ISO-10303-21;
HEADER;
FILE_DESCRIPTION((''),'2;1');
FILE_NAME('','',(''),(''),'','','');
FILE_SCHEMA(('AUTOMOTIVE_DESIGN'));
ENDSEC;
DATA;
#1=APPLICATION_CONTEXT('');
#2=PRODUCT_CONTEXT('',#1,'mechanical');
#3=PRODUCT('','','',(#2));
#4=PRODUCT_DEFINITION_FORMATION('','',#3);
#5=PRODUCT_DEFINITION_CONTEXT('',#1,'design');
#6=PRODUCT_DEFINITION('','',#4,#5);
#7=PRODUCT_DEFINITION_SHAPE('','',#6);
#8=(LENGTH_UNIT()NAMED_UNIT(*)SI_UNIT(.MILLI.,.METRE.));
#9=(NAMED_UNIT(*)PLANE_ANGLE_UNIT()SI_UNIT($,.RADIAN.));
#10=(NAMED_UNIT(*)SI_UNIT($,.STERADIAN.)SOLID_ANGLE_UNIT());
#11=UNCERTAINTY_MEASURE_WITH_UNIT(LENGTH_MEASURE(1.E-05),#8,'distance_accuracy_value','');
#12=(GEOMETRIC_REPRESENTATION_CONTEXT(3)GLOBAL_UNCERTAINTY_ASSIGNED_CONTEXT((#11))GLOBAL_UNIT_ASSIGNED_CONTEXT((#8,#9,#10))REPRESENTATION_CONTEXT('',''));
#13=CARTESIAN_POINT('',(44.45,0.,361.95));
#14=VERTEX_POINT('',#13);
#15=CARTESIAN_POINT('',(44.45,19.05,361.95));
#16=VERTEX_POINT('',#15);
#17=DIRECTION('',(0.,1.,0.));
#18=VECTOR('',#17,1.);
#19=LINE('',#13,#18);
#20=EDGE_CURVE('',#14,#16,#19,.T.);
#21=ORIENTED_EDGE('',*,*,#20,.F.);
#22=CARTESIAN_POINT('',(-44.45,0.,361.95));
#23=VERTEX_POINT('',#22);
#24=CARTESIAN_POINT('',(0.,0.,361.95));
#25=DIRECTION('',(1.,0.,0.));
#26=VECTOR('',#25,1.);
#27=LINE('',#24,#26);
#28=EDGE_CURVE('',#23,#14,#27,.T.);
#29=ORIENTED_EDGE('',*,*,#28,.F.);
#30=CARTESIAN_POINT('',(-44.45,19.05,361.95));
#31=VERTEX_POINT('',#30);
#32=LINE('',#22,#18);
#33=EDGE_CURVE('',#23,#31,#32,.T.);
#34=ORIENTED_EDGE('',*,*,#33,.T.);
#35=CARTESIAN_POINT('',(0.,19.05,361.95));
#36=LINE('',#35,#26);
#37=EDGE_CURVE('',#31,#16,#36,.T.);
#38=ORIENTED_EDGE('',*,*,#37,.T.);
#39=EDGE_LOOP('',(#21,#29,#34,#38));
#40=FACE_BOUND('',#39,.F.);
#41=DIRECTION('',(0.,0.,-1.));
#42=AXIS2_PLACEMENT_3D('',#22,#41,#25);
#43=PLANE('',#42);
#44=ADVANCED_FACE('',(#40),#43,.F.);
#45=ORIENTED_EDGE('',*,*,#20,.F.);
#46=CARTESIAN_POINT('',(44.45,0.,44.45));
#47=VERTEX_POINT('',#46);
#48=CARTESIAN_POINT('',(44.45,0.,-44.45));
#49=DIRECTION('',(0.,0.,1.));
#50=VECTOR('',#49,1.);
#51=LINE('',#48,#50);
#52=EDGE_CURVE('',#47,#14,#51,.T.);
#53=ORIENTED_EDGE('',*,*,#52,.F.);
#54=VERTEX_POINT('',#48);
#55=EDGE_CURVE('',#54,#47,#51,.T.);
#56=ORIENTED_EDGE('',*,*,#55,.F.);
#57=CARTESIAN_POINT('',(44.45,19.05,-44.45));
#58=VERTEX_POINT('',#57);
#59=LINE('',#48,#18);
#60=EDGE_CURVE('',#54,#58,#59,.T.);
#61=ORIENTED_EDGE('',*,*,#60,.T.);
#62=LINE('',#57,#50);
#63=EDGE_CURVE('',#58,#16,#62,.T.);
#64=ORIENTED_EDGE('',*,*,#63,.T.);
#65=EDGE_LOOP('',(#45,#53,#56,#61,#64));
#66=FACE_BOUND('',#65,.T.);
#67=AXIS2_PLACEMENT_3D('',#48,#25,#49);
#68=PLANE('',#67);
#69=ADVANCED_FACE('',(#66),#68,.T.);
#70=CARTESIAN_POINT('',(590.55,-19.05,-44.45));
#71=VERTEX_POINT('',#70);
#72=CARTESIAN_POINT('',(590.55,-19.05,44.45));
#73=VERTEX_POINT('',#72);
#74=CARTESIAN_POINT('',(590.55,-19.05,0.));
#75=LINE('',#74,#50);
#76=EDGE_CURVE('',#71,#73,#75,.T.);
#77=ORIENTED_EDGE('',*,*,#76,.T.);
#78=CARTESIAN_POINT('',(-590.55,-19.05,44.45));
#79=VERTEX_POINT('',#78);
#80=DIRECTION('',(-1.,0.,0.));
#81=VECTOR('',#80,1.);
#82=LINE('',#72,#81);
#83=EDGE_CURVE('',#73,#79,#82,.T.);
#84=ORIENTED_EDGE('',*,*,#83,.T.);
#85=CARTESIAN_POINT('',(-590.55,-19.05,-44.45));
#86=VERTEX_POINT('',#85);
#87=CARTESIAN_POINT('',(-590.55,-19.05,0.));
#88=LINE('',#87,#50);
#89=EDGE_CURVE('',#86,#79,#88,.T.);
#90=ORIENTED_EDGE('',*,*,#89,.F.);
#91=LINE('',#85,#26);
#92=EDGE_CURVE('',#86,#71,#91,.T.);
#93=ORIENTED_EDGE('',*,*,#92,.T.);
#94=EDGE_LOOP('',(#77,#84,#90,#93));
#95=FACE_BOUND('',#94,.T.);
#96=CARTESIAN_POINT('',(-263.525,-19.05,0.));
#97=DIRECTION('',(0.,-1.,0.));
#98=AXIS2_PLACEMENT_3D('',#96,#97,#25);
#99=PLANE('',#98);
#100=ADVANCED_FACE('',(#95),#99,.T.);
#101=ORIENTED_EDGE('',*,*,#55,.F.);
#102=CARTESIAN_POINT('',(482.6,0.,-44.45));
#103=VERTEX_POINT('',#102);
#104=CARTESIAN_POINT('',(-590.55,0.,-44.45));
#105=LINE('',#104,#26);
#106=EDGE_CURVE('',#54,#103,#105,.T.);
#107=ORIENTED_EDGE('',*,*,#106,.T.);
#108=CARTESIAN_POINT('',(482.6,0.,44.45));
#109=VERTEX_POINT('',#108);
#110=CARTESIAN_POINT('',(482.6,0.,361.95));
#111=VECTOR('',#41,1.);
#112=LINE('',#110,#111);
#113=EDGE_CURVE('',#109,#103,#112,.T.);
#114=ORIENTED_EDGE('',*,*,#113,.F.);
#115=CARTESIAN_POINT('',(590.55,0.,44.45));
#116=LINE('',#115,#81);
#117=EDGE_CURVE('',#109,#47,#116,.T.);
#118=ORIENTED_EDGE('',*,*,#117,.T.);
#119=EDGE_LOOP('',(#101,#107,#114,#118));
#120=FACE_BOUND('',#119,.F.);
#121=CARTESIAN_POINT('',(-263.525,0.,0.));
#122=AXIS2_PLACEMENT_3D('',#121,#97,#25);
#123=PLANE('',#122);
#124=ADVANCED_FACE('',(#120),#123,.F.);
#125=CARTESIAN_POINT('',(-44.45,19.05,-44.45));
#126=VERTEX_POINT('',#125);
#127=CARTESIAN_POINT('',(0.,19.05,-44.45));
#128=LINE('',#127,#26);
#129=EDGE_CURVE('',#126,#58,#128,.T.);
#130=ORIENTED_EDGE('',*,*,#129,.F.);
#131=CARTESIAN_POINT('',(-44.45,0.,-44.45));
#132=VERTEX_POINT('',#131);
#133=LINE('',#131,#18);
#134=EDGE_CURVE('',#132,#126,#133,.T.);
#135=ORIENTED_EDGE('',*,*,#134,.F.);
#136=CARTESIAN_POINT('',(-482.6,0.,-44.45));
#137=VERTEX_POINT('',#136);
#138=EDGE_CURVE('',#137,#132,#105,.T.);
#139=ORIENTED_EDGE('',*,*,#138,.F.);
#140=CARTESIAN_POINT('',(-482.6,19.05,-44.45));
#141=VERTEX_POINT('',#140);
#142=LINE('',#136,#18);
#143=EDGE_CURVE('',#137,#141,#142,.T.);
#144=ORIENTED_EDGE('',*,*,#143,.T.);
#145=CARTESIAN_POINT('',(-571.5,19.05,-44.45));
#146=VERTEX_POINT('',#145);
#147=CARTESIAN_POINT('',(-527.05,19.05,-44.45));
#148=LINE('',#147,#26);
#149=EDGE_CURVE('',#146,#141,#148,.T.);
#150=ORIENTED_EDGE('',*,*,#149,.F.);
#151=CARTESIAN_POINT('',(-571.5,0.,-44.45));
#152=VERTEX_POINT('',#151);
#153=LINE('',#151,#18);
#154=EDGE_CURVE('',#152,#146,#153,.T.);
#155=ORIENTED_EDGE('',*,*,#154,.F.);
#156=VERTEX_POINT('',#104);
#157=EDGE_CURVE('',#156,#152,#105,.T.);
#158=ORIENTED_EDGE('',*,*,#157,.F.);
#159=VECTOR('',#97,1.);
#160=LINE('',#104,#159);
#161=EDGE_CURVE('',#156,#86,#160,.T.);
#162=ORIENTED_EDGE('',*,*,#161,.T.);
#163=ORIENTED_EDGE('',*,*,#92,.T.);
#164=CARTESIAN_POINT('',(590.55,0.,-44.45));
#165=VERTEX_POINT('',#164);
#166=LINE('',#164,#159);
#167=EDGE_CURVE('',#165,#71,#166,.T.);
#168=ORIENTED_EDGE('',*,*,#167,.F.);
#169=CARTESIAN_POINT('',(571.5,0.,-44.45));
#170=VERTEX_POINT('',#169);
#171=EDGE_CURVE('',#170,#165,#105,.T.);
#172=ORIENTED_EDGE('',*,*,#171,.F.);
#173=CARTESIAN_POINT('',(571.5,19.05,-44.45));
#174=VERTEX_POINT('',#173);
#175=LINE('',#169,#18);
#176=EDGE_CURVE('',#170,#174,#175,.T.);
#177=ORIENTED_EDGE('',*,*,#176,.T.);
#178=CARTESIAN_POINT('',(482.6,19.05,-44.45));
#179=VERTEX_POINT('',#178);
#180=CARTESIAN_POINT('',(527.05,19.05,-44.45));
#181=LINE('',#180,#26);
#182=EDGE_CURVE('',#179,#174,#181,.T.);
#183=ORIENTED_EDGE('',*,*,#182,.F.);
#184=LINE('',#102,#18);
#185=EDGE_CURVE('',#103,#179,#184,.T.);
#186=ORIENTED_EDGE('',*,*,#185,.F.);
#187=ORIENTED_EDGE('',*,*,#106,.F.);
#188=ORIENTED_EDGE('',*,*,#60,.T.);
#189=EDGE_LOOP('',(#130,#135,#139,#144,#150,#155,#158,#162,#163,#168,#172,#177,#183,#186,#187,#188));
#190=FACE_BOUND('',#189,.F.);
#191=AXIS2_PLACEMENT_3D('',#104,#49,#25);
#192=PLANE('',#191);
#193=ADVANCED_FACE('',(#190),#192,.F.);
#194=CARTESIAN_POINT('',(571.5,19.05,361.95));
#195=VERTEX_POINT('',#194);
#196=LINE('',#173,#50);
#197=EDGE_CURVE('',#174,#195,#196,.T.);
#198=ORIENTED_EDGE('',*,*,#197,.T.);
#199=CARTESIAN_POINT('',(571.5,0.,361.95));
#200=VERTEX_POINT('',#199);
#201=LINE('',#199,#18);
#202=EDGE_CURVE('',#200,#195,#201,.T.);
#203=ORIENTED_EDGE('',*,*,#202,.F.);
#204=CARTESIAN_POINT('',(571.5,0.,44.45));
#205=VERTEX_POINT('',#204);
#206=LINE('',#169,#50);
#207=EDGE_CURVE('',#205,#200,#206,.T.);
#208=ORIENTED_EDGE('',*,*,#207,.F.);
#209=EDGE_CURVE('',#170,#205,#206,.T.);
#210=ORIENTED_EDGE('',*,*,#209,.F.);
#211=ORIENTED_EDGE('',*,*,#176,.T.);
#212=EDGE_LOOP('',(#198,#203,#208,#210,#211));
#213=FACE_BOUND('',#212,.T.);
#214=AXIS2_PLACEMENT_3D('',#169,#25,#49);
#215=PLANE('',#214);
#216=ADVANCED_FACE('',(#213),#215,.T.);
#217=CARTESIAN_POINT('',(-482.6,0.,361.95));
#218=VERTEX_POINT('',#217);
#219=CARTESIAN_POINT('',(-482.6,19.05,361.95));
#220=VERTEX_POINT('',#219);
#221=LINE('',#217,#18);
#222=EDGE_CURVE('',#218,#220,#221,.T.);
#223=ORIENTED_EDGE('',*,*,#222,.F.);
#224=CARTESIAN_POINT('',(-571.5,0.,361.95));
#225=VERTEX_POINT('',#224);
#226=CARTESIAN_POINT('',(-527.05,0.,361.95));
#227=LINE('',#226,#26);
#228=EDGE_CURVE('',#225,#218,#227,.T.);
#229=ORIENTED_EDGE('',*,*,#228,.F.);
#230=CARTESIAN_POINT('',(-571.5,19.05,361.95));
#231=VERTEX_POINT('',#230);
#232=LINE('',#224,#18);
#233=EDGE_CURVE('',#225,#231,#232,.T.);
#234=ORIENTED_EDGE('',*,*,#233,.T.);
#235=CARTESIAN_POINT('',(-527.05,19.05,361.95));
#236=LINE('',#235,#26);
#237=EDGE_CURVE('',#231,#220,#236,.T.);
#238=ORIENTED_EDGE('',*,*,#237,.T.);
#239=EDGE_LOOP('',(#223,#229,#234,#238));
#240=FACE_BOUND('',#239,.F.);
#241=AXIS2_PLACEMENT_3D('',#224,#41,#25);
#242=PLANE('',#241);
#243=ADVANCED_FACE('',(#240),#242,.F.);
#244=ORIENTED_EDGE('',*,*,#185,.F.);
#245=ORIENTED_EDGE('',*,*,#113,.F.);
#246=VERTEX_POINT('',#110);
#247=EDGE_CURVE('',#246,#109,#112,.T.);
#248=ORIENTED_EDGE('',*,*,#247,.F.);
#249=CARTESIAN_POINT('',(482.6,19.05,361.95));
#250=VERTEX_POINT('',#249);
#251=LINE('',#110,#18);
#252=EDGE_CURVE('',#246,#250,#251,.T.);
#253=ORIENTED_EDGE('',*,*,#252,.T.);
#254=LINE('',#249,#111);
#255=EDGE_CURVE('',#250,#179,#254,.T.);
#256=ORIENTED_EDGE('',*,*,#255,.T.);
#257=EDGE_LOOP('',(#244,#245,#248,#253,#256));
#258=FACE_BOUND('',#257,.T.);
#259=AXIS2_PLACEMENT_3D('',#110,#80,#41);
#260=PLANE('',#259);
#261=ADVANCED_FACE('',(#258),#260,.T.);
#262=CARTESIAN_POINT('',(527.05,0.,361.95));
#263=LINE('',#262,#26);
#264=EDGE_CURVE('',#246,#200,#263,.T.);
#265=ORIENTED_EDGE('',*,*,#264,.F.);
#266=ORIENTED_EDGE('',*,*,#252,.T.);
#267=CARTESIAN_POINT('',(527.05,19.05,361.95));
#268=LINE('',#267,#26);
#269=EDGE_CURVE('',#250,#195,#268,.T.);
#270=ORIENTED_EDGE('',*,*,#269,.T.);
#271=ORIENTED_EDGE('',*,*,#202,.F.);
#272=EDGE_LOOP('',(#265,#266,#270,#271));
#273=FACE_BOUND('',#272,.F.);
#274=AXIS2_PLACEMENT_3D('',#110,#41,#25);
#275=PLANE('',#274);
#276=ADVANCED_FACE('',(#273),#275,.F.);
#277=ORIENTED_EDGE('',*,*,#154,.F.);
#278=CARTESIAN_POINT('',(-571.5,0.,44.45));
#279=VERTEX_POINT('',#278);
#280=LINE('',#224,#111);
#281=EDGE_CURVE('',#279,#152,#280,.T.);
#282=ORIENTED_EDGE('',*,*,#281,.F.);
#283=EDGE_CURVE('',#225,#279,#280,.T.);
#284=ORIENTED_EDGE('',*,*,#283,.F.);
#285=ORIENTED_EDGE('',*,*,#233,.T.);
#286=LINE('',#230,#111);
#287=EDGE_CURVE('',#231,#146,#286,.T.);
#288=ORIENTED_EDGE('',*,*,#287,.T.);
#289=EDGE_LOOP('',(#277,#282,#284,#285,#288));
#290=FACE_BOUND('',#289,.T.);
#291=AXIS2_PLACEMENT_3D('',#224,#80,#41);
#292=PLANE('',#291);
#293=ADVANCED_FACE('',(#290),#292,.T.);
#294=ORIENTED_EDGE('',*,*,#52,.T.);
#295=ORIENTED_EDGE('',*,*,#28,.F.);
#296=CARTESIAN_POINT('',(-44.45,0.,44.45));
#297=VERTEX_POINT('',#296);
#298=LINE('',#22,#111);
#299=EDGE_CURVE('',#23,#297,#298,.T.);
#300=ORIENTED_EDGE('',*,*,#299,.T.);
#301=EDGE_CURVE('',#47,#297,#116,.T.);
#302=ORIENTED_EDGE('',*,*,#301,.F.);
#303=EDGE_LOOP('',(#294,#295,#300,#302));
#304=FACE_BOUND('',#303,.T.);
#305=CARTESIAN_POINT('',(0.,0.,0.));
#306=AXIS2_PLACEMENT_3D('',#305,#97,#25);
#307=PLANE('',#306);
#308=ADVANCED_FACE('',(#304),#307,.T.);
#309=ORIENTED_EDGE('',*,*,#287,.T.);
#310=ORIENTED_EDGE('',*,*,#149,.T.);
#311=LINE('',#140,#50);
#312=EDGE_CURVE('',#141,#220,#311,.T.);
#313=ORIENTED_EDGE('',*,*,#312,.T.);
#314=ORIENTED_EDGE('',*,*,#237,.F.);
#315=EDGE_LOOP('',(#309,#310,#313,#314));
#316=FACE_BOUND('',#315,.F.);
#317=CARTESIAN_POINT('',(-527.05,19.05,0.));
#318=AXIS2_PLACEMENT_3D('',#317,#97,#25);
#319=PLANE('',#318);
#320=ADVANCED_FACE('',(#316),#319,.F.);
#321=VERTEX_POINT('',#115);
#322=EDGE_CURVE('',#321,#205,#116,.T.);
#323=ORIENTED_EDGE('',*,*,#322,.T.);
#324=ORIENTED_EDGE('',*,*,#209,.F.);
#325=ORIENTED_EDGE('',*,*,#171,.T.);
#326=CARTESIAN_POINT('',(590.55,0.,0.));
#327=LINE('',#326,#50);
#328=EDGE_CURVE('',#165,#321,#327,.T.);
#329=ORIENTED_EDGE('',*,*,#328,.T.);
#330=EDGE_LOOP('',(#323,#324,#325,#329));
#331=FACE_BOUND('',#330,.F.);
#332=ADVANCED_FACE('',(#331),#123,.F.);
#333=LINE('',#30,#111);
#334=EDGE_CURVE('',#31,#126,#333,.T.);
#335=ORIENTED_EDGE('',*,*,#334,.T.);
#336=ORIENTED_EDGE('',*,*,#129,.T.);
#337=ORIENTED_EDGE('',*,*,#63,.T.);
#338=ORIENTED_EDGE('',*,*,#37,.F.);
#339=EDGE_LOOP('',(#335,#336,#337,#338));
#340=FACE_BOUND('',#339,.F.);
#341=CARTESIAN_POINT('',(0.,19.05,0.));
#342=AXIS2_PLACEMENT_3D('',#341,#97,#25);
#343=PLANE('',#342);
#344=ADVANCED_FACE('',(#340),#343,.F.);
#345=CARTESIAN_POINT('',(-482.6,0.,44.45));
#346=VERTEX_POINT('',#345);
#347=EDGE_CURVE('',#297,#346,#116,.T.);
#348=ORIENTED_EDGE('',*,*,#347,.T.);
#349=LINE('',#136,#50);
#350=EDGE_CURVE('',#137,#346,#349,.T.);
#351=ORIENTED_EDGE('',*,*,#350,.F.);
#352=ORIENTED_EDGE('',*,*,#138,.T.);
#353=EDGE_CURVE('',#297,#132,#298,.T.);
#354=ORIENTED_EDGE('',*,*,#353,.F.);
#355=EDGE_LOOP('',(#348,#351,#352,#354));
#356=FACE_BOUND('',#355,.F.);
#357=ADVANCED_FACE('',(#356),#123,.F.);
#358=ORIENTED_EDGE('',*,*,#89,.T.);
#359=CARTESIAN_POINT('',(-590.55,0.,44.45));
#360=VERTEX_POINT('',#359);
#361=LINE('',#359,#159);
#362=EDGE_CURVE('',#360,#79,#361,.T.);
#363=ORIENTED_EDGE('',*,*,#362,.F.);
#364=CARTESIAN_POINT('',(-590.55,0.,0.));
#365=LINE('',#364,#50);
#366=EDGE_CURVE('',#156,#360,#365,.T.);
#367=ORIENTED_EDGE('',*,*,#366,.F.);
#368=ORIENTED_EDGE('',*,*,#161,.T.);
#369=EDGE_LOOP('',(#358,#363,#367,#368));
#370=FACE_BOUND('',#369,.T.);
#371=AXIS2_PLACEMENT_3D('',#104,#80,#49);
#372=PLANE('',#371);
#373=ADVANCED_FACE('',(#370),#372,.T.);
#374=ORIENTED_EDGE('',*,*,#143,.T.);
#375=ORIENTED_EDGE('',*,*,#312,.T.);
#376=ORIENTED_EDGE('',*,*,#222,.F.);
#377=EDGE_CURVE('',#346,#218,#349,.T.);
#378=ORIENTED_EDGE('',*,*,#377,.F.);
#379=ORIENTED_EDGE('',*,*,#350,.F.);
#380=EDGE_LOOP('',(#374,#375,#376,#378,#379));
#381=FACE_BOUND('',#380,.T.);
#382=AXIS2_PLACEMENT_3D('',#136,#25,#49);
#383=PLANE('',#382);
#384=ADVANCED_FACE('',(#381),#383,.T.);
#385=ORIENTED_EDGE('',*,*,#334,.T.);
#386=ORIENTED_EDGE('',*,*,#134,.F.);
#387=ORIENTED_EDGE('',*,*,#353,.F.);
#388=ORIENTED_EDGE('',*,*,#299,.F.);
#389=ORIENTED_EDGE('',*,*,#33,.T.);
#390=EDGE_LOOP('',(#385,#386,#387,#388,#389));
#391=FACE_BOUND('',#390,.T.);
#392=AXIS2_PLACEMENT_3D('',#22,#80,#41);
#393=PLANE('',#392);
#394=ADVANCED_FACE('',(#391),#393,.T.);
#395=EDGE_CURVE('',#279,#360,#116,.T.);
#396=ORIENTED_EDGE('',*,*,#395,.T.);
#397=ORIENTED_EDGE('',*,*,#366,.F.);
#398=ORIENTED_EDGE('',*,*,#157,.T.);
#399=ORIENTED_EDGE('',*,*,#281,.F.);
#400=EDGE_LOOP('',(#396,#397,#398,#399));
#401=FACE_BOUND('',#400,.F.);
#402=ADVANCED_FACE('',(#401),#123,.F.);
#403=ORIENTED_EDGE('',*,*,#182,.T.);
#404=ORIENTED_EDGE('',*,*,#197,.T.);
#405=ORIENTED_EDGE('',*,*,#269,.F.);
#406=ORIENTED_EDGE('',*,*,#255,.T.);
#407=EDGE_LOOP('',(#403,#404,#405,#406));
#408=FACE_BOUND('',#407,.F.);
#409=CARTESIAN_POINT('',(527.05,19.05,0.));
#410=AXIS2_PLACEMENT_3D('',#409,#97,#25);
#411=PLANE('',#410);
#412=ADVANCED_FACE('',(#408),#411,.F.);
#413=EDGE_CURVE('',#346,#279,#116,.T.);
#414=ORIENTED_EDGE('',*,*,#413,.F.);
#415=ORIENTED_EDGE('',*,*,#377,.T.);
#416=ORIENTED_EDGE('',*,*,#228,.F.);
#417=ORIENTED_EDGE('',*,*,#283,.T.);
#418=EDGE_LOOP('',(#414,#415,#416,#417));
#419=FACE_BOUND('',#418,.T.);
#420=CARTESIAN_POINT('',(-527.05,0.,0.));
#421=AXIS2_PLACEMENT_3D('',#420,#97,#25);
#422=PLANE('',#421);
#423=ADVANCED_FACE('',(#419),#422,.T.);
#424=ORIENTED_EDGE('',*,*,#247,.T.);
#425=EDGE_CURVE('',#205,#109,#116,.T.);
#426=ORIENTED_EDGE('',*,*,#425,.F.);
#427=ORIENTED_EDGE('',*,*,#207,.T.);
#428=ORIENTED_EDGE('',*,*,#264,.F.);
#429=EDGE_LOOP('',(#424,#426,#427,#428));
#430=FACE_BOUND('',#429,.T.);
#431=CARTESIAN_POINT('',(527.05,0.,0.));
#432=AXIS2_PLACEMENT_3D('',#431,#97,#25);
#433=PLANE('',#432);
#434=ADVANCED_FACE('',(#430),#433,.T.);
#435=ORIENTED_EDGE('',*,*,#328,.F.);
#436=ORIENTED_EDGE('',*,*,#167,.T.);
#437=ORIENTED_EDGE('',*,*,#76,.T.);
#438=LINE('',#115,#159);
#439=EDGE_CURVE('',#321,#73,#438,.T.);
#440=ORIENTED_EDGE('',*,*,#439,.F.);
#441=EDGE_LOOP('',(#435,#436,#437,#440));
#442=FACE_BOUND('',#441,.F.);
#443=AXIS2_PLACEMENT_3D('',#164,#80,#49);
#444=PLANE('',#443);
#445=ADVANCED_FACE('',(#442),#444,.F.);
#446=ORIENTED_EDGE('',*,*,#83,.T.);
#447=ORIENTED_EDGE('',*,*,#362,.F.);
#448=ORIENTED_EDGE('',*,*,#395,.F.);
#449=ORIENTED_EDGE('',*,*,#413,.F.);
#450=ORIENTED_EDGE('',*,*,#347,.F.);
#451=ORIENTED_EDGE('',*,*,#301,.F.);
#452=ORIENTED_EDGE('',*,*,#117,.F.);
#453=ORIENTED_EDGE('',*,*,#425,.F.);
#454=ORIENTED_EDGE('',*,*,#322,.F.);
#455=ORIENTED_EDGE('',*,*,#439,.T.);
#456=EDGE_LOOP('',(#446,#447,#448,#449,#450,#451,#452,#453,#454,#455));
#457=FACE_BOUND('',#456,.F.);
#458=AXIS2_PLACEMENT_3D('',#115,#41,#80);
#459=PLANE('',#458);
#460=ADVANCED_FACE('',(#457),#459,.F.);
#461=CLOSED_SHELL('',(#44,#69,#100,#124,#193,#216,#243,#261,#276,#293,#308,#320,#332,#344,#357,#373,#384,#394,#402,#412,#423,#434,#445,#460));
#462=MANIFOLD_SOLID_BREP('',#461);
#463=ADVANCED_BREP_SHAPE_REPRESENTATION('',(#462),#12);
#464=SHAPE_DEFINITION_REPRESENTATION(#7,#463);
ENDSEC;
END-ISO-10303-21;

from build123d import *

# Parameters (mm, degrees)
F0_W     = 88.9
F0_H     = 88.9
F0_H_2   = 317.5
F1_DEPTH = 19.05
F0_W_2   = 438.15
F0_W_3   = 19.05
F2_DEPTH = 19.05


with BuildPart() as f1:
    # F0 (on Front) → F1 (new body)
    with BuildSketch(Plane.XZ):
        with Locations((-527.05, 0)):
            Rectangle(F0_W, F0_H)
        with Locations((-527.05, 203.2)):
            Rectangle(F0_W, F0_H_2)
    extrude(amount=-F1_DEPTH)



with BuildPart() as f1b:
    # F0 (on Front) → F1, piece 2 (new body)
    with BuildSketch(Plane.XZ):
        Rectangle(F0_W, F0_H)
        with Locations((0, 203.2)):
            Rectangle(F0_W, F0_H_2)
    extrude(amount=-F1_DEPTH)


with BuildPart() as f1c:
    # F0 (on Front) → F1, piece 3 (new body)
    with BuildSketch(Plane.XZ):
        with Locations((527.05, 0)):
            Rectangle(F0_W, F0_H)
        with Locations((527.05, 203.2)):
            Rectangle(F0_W, F0_H_2)
    extrude(amount=-F1_DEPTH)


with BuildPart() as f1_1:
    add(f1.part)

    add(f1b.part)  # F2 merges F1b

    add(f1c.part)  # F2 merges F1c
    # F0 (on Front) → F2 (join)
    with BuildSketch(Plane.XZ):
        with Locations((-263.525, 0)):
            Rectangle(F0_W_2, F0_H)
        with Locations((-527.05, 0)):
            Rectangle(F0_W, F0_H)
        with Locations((-581.025, 0)):
            Rectangle(F0_W_3, F0_H)
        Rectangle(F0_W, F0_H)
        with Locations((263.525, 0)):
            Rectangle(F0_W_2, F0_H)
        with Locations((527.05, 0)):
            Rectangle(F0_W, F0_H)
        with Locations((581.025, 0)):
            Rectangle(F0_W_3, F0_H)
    extrude(amount=F2_DEPTH)


solid = f1_1.part
